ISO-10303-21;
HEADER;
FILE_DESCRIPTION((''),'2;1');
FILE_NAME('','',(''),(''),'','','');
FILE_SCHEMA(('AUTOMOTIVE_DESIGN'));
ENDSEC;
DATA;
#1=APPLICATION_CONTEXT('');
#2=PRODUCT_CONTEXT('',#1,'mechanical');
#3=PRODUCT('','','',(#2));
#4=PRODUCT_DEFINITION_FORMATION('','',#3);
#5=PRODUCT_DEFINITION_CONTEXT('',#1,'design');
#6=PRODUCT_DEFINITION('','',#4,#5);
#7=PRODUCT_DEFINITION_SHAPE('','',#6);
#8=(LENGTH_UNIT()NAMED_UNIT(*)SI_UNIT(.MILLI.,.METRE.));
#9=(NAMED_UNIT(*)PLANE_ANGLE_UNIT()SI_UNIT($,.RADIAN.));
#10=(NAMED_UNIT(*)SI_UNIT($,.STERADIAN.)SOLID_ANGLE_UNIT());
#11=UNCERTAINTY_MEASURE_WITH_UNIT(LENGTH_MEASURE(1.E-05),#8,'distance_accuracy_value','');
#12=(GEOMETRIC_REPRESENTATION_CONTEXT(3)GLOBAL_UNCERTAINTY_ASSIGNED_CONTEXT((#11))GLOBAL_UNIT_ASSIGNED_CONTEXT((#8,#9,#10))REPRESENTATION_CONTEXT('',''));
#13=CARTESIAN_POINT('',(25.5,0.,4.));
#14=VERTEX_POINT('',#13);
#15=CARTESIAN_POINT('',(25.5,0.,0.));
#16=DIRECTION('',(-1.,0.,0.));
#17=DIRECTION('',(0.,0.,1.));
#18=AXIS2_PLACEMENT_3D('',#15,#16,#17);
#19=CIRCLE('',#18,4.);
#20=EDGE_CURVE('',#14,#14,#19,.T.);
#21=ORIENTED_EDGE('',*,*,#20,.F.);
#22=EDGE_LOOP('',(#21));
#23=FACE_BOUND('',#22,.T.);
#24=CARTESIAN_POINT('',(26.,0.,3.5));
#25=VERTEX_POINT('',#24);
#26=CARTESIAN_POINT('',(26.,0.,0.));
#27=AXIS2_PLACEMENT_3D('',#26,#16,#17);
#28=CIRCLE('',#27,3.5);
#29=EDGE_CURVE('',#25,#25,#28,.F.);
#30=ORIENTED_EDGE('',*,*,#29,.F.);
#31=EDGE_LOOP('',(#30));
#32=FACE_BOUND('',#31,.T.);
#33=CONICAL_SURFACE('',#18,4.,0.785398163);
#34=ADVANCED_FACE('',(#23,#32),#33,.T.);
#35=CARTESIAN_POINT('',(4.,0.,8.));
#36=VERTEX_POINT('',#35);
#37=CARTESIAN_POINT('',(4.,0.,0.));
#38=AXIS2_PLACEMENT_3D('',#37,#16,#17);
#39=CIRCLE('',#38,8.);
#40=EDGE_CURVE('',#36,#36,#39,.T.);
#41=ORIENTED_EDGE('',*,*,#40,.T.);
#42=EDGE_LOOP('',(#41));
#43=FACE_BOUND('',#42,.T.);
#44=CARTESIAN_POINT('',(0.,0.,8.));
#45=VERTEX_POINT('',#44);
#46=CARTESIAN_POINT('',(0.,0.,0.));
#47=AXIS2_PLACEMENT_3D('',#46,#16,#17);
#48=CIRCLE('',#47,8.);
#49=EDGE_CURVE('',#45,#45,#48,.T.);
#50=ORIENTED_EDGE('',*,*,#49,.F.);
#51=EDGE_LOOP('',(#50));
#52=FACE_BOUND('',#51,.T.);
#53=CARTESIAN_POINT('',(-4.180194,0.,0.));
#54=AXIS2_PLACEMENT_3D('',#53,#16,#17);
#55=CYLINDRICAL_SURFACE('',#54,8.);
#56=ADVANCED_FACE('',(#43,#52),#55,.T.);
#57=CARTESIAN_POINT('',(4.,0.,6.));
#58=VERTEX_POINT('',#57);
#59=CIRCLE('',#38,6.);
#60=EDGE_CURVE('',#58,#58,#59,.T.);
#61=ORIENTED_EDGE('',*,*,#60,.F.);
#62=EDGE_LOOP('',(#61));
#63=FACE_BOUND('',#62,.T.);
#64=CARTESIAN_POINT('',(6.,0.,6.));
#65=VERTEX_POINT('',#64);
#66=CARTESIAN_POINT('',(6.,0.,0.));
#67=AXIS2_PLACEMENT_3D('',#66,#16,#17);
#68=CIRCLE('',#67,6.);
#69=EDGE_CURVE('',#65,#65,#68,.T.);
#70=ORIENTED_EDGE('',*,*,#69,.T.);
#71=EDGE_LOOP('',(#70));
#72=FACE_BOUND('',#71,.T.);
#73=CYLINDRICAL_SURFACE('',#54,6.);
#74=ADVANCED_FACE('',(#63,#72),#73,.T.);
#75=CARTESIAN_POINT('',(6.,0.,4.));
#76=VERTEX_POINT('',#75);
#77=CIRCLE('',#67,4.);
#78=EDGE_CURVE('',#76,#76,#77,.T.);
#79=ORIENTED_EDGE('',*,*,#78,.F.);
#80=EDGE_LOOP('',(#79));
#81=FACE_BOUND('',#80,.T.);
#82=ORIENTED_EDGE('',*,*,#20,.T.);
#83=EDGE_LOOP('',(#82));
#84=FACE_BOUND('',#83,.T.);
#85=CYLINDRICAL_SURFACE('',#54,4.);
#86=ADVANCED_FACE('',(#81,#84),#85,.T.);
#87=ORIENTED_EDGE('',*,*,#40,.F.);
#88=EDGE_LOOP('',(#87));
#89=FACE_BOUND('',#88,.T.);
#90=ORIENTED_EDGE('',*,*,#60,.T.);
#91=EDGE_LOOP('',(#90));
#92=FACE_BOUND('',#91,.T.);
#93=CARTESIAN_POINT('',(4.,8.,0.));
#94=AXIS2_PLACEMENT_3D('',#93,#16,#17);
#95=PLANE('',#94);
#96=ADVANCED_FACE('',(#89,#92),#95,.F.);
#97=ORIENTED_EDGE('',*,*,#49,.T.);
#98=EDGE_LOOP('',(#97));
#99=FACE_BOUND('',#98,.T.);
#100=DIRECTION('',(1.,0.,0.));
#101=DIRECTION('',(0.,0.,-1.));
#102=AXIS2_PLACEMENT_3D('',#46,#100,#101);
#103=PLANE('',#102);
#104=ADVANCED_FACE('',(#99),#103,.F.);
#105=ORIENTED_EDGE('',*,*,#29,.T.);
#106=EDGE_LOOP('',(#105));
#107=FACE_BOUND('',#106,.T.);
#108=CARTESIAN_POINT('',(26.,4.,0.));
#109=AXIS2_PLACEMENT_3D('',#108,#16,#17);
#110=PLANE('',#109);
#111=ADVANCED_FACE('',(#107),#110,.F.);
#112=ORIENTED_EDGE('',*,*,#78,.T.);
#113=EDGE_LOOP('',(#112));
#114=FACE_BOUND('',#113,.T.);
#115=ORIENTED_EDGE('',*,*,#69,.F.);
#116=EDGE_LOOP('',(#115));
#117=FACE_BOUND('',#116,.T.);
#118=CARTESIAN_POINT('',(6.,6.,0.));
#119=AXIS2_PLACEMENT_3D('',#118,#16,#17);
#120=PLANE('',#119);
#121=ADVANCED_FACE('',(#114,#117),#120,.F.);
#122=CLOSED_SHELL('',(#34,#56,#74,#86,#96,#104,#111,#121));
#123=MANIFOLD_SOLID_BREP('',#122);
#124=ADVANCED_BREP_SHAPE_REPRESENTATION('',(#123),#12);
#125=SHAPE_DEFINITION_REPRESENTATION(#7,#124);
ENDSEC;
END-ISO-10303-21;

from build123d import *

# Parameters (mm, degrees)
CHANFREIN1_SIZE = 0.5


with BuildPart() as part:
    # Esquisse1 → Base-Révolution (revolve)
    with BuildSketch(Plane.XY, mode=Mode.PRIVATE) as base_r_volution_sk:
        Polygon((0, 0), (0, 8), (4, 8), (4, 6), (6, 6), (6, 4), (26, 4), (26, 0), align=None)
    revolve(base_r_volution_sk.sketch.rotate(Axis((-4.18019429, 0, 0), (1, 0, 0)), 90), axis=Axis((-4.18019429, 0, 0), (1, 0, 0)))

    # Chanfrein1
    chanfrein1_edges = [part.edges().sort_by_distance(p)[0] for p in [
        (26, 0, -4),
    ]]
    chamfer(chanfrein1_edges, length=CHANFREIN1_SIZE)


solid = part.part
